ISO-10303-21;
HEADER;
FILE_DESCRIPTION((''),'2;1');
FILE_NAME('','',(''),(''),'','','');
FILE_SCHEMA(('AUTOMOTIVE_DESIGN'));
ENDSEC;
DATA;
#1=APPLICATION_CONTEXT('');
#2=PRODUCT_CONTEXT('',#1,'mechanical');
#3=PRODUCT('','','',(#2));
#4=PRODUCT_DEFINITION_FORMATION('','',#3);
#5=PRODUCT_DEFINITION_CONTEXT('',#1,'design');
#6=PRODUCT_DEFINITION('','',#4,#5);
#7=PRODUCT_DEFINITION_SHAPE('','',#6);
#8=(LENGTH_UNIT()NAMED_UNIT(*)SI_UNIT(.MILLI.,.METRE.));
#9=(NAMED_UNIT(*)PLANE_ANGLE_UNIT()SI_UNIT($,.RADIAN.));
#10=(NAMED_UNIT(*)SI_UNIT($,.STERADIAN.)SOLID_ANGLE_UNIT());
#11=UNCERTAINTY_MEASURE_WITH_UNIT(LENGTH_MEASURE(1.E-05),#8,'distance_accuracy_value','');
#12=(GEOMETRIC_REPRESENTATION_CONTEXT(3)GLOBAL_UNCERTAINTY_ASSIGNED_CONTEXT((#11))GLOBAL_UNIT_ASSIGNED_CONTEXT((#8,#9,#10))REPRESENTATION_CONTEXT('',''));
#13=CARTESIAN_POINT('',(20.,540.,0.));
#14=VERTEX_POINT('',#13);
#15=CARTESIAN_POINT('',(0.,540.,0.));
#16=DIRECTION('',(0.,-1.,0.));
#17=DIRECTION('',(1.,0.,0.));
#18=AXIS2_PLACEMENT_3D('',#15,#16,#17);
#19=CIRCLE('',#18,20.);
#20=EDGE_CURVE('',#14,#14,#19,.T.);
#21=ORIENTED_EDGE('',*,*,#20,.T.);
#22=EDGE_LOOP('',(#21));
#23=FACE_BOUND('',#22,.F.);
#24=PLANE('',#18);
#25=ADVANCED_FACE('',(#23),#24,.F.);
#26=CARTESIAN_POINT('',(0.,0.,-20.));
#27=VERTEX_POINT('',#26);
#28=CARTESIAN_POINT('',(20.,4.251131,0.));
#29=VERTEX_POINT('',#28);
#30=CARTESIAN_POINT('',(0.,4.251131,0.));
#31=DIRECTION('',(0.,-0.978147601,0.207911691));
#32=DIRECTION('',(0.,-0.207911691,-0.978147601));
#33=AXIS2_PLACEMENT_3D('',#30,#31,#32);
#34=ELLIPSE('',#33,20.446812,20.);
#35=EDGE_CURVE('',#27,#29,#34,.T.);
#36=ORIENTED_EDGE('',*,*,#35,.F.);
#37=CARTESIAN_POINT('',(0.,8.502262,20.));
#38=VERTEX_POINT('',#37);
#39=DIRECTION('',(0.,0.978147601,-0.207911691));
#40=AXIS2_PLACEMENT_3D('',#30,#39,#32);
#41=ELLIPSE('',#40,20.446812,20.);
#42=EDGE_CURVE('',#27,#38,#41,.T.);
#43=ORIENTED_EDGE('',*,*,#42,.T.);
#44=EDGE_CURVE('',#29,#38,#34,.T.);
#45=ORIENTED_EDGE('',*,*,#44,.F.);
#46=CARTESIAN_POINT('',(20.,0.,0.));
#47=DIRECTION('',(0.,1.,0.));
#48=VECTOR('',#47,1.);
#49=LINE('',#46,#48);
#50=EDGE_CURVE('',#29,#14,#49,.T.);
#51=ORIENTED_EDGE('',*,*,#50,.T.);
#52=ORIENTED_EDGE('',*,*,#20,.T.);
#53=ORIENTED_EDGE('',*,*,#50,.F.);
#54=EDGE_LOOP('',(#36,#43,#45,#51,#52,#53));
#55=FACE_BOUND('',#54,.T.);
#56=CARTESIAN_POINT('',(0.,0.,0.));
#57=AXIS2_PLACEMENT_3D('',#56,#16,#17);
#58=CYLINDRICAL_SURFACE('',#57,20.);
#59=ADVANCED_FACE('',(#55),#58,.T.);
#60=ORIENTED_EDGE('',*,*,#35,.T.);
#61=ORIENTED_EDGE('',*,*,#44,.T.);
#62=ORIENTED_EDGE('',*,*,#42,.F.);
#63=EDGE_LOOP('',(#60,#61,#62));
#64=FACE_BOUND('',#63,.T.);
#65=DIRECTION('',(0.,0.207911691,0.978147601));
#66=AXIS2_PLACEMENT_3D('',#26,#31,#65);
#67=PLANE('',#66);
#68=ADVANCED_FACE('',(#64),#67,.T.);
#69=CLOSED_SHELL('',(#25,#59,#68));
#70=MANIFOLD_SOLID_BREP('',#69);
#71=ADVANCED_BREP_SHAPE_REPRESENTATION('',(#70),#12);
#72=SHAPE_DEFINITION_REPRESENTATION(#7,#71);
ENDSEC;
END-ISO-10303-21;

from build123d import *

# Parameters (mm, degrees)
F0_R          = 20
F1_DEPTH      = 540
F3_DEPTH      = 25
F3_DEPTH_BACK = 25


with BuildPart() as f1:
    # F0 (on Front) → F1 (new body)
    with BuildSketch(Plane.XZ):
        Circle(F0_R)
    extrude(amount=-F1_DEPTH)

    # F2 (on Right) → F3 (cut, two sides)
    with BuildSketch(Plane.YZ) as f3_sk:
        Polygon((0, 20), (0, -20), (8.5022624668, 20), align=None)
    extrude(amount=-F3_DEPTH, mode=Mode.SUBTRACT)
    extrude(f3_sk.sketch, amount=F3_DEPTH_BACK, mode=Mode.SUBTRACT)


solid = f1.part
